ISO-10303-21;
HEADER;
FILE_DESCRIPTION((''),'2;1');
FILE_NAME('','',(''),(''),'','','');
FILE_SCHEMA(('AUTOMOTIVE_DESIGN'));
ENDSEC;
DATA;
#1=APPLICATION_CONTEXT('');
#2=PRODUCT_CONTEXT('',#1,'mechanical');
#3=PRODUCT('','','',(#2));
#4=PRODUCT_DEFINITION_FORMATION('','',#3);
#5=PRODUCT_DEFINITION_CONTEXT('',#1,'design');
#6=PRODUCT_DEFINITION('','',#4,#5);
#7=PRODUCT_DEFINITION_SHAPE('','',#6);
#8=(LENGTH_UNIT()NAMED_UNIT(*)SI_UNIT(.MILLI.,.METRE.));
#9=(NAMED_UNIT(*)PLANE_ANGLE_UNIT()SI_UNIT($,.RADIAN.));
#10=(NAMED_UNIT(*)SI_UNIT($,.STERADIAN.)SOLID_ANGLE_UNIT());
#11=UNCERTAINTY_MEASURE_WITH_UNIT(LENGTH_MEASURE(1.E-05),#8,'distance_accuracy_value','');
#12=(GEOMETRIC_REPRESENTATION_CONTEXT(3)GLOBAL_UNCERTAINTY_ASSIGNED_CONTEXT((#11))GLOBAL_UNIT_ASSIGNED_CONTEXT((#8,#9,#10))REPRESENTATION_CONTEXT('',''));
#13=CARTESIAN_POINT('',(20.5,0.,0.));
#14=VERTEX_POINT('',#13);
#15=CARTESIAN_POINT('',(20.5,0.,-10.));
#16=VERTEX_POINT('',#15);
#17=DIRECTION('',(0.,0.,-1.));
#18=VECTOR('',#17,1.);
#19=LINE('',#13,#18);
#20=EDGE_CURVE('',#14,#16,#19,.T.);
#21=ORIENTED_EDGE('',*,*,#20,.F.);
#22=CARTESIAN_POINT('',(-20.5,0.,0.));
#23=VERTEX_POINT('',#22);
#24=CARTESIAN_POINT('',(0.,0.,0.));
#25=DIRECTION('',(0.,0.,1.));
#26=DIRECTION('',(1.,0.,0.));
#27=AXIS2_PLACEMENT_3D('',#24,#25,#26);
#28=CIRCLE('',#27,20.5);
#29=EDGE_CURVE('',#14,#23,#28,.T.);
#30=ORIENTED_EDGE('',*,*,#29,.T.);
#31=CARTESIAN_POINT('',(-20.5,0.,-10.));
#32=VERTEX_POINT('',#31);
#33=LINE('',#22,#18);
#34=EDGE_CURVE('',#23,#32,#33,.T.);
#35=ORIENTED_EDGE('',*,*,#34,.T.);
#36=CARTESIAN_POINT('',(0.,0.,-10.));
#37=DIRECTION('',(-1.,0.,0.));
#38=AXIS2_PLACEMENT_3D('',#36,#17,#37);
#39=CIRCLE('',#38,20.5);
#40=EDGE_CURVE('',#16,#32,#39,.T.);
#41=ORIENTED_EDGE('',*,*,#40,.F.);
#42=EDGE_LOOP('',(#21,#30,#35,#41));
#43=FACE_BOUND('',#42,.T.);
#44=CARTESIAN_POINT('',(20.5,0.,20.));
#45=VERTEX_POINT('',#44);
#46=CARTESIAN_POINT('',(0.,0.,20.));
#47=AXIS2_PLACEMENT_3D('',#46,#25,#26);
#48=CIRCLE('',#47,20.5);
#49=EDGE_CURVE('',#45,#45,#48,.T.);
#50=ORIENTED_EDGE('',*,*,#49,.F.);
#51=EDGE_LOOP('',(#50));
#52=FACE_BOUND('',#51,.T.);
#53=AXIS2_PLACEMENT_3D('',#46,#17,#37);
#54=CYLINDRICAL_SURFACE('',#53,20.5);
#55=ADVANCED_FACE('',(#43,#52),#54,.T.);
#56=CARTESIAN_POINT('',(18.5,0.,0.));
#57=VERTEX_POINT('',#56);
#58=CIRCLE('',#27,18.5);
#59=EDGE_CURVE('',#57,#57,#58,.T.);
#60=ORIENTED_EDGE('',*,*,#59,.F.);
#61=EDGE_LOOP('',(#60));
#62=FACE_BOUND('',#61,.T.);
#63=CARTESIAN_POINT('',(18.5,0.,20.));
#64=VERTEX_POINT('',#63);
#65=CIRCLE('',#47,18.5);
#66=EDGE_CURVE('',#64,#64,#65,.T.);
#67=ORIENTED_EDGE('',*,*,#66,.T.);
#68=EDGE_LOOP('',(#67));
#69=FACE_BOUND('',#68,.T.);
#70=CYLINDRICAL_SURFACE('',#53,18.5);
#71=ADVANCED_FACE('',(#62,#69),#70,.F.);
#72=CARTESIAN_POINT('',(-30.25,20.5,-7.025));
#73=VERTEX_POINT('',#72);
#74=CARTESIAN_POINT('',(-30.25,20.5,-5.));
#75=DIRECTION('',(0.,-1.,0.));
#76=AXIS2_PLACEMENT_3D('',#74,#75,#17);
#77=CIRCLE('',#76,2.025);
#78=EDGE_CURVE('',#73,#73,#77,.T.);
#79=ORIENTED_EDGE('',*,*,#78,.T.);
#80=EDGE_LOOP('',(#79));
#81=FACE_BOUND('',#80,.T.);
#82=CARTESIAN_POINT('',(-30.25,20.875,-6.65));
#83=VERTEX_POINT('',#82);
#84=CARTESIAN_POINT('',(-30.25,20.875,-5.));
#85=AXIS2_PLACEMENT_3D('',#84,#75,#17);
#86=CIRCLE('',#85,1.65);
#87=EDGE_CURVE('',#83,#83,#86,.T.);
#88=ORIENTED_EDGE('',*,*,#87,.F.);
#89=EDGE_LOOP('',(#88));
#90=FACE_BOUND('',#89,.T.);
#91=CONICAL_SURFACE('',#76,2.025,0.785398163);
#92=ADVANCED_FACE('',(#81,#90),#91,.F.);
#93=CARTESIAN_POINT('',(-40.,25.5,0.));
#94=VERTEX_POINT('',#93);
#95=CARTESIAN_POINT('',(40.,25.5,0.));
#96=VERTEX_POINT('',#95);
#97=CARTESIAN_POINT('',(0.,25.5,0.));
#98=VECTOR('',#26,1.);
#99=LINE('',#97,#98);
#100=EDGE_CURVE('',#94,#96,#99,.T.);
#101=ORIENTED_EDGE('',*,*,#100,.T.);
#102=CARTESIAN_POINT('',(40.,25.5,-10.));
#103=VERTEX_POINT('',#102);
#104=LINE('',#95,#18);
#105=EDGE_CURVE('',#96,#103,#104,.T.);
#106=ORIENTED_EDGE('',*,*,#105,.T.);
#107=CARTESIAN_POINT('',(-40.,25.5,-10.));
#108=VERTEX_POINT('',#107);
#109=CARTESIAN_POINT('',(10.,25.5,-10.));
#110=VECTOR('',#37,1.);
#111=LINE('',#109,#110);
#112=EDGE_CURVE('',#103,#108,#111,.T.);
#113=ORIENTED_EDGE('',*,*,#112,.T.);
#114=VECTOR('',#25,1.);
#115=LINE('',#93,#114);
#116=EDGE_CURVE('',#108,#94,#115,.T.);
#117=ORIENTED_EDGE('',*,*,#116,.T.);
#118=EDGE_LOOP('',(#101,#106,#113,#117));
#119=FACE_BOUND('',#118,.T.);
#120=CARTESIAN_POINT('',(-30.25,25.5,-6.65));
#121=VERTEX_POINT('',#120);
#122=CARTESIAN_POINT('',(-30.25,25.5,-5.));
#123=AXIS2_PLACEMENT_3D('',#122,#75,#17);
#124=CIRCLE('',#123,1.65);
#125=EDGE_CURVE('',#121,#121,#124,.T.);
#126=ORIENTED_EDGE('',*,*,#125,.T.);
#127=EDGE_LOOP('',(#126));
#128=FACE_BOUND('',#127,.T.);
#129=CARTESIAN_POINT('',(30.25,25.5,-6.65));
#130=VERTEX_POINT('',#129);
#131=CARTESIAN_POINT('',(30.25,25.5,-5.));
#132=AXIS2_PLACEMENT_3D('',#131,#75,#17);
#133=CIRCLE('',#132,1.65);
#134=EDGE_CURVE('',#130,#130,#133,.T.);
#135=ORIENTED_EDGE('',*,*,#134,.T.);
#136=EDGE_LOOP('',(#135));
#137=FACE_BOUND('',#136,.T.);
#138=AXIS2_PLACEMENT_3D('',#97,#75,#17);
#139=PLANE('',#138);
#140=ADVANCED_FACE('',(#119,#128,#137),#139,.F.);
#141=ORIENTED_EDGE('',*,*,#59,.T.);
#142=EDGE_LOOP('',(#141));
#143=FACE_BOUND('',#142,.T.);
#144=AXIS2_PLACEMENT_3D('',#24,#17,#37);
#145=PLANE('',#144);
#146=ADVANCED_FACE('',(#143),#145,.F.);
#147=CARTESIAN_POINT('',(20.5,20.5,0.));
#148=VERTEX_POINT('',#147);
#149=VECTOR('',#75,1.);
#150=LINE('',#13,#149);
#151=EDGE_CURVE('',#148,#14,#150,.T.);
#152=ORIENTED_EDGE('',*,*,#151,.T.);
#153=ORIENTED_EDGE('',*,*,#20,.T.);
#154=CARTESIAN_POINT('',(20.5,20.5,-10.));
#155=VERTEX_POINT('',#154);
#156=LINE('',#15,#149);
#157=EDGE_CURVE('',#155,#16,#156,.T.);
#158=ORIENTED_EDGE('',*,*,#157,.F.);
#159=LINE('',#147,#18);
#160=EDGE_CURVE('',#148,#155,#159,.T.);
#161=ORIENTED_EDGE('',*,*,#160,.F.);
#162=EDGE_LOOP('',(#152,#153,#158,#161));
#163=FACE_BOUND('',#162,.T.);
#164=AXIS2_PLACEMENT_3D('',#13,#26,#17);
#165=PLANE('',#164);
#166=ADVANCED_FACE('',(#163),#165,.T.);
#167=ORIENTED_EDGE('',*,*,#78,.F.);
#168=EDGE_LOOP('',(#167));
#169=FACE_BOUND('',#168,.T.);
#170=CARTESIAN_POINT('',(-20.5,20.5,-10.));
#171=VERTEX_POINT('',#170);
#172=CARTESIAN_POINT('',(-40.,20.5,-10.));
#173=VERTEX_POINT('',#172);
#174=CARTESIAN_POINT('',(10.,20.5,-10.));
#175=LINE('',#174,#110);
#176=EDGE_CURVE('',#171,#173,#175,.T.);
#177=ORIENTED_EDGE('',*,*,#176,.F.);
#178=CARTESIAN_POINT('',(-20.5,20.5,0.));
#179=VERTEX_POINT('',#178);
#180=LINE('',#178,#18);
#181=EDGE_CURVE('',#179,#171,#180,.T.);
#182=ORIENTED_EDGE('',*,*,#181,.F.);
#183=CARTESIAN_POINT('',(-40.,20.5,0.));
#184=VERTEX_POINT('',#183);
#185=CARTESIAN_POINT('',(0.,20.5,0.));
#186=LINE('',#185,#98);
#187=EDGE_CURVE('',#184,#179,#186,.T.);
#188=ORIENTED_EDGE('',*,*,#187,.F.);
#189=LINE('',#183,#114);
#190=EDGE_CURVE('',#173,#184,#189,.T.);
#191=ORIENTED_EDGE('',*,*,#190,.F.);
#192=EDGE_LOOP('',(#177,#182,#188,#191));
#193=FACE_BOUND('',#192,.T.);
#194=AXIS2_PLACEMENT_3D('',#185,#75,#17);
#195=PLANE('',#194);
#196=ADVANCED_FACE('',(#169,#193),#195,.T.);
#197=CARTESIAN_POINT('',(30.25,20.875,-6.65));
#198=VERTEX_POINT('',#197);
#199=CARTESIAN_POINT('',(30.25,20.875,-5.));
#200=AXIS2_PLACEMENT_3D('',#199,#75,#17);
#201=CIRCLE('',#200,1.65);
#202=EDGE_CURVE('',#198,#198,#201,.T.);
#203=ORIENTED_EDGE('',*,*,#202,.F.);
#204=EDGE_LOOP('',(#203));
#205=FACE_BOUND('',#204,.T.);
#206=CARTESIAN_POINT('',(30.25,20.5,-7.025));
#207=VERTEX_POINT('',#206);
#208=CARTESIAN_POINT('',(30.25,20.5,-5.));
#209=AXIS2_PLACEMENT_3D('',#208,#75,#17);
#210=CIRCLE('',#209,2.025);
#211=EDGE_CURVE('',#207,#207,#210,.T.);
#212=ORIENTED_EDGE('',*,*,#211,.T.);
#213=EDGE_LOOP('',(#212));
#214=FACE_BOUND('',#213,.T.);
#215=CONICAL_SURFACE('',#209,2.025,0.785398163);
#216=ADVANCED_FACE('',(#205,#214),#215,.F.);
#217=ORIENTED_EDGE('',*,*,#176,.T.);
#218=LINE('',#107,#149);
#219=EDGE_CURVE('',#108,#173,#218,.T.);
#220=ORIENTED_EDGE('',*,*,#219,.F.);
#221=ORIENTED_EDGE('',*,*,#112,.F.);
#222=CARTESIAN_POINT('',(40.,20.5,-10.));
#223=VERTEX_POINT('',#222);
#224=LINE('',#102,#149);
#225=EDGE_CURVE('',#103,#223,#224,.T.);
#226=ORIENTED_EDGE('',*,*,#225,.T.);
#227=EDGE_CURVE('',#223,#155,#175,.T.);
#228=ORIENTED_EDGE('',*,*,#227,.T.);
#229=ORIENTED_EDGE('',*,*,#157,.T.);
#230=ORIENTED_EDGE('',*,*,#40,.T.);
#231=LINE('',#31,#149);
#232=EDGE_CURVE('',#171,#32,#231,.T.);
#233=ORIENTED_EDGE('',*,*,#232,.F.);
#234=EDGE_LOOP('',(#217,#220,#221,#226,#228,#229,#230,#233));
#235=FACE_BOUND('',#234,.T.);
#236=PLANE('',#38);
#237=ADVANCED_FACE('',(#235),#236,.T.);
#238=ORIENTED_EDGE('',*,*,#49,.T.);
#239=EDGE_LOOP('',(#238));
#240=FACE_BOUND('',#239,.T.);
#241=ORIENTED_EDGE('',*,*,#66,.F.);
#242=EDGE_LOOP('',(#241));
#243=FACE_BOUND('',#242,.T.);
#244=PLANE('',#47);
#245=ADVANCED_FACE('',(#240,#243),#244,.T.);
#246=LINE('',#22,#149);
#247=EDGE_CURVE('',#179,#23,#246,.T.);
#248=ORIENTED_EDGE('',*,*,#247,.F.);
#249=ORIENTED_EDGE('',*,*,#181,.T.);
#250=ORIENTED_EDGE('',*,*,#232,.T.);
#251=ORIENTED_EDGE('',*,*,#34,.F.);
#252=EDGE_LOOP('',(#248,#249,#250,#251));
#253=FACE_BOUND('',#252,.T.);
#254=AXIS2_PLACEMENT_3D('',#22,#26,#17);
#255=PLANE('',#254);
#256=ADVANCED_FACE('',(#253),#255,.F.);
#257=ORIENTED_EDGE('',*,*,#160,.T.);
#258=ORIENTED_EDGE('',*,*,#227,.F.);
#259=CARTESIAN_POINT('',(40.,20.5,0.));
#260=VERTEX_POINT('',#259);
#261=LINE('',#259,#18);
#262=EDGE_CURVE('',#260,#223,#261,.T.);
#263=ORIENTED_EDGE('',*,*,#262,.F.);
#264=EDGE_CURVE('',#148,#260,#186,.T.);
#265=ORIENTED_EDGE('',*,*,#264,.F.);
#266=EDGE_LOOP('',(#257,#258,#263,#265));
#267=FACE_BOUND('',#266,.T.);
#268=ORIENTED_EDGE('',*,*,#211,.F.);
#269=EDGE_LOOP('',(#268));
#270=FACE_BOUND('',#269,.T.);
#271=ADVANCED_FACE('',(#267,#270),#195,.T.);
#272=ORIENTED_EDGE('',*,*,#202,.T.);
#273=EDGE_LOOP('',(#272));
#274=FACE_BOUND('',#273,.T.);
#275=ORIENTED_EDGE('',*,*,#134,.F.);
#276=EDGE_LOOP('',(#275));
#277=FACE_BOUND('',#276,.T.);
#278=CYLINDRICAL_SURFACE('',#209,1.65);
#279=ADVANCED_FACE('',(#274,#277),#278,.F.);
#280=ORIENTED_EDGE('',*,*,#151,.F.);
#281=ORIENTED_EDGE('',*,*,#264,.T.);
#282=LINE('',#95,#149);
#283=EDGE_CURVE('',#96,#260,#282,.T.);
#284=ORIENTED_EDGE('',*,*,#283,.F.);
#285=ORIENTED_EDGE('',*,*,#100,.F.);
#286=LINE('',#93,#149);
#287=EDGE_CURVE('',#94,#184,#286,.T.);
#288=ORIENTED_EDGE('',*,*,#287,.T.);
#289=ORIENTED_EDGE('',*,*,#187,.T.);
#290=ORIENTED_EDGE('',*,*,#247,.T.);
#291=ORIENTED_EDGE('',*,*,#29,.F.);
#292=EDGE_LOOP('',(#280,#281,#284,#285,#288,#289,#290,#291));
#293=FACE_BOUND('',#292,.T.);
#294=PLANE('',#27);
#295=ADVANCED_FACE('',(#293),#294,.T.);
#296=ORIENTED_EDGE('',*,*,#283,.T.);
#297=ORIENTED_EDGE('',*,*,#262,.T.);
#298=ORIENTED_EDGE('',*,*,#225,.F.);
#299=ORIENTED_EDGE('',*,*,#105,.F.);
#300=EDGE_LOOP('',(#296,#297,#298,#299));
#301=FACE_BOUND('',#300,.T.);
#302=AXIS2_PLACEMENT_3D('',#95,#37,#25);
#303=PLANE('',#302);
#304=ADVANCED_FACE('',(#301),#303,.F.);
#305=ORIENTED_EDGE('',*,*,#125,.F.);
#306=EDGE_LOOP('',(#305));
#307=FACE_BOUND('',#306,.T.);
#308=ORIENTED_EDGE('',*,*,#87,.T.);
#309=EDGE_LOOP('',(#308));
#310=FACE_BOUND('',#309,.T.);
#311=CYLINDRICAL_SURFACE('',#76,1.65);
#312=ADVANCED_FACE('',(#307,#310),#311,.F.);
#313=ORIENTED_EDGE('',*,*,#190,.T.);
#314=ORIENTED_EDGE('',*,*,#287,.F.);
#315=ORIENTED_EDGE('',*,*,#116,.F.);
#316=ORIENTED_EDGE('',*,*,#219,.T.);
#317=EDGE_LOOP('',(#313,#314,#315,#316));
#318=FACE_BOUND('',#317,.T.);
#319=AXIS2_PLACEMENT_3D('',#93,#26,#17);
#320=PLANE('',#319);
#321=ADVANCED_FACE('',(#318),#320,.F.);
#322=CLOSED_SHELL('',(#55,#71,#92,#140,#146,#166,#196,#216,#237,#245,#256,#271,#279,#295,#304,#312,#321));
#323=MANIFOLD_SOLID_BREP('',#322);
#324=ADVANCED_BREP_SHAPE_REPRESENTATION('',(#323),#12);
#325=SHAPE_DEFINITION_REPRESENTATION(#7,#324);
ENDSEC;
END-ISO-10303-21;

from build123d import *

# Parameters (mm, degrees)
ESQUISSE1_R                 = 20.5
ESQUISSE1_R_2               = 18.5
BOSS_EXTRU_1_DEPTH          = 20
BOSS_EXTRU_2_START          = 10
ESQUISSE2_R                 = 20.5
BOSS_EXTRU_2_DEPTH          = 10
BOSS_EXTRU_4_DEPTH          = 5
BOSS_EXTRU_5_DEPTH          = 10
TROU_TARAUD_M41_D           = 3.3
TROU_TARAUD_M41_CSINK_D     = 4.05
TROU_TARAUD_M41_CSINK_ANGLE = 90


with BuildPart() as part:
    # Esquisse1 → Boss.-Extru.1 (new body)
    with BuildSketch(Plane.XY):
        Circle(ESQUISSE1_R)
        Circle(ESQUISSE1_R_2, mode=Mode.SUBTRACT)
    extrude(amount=BOSS_EXTRU_1_DEPTH)

    # Esquisse2 → Boss.-Extru.2 (add)
    with BuildSketch(Plane(origin=(0, 0, 0), x_dir=(-1, 0, 0), z_dir=(0, 0, -1)).offset(BOSS_EXTRU_2_START)):
        Circle(ESQUISSE2_R)
    extrude(amount=-BOSS_EXTRU_2_DEPTH)



with BuildPart() as body_2:
    # Esquisse5 → Boss.-Extru.4 (new body)
    with BuildSketch(Plane(origin=(0, 20.5, 0), x_dir=(1, 0, 0), z_dir=(0, 1, 0))):
        Polygon((0, 0), (40, 0), (40, 10), (10, 10), (-40, 10), (-40, 0), align=None)
    extrude(amount=BOSS_EXTRU_4_DEPTH)


with BuildPart() as part_1:
    add(part.part)

    add(body_2.part)  # Boss.-Extru.5 merges body 2
    # Esquisse7 → Boss.-Extru.5 (add)
    with BuildSketch(Plane.XY.offset(-10)):
        with BuildLine():
            ThreePointArc((20.5, 0), (14.495689014, 14.495689014), (0, 20.5))
            Line((0, 20.5), (20.5, 20.5))
            Line((20.5, 20.5), (20.5, 0))
        make_face()
        with BuildLine():
            Line((-20.5, 20.5), (-20.5, 0))
            ThreePointArc((-20.5, 0), (-14.495689014, 14.495689014), (0, 20.5))
            Line((0, 20.5), (-20.5, 20.5))
        make_face()
    extrude(amount=BOSS_EXTRU_5_DEPTH)

    # Trou taraudé M41 (through all)
    with Locations(Plane(origin=(0, 20.5, 0), x_dir=(-1, 0, 0), z_dir=(0, -1, 0))):
        with Locations((-30.25, 5), (30.25, 5)):
            CounterSinkHole(TROU_TARAUD_M41_D / 2, TROU_TARAUD_M41_CSINK_D / 2, counter_sink_angle=TROU_TARAUD_M41_CSINK_ANGLE)


solid = part_1.part
